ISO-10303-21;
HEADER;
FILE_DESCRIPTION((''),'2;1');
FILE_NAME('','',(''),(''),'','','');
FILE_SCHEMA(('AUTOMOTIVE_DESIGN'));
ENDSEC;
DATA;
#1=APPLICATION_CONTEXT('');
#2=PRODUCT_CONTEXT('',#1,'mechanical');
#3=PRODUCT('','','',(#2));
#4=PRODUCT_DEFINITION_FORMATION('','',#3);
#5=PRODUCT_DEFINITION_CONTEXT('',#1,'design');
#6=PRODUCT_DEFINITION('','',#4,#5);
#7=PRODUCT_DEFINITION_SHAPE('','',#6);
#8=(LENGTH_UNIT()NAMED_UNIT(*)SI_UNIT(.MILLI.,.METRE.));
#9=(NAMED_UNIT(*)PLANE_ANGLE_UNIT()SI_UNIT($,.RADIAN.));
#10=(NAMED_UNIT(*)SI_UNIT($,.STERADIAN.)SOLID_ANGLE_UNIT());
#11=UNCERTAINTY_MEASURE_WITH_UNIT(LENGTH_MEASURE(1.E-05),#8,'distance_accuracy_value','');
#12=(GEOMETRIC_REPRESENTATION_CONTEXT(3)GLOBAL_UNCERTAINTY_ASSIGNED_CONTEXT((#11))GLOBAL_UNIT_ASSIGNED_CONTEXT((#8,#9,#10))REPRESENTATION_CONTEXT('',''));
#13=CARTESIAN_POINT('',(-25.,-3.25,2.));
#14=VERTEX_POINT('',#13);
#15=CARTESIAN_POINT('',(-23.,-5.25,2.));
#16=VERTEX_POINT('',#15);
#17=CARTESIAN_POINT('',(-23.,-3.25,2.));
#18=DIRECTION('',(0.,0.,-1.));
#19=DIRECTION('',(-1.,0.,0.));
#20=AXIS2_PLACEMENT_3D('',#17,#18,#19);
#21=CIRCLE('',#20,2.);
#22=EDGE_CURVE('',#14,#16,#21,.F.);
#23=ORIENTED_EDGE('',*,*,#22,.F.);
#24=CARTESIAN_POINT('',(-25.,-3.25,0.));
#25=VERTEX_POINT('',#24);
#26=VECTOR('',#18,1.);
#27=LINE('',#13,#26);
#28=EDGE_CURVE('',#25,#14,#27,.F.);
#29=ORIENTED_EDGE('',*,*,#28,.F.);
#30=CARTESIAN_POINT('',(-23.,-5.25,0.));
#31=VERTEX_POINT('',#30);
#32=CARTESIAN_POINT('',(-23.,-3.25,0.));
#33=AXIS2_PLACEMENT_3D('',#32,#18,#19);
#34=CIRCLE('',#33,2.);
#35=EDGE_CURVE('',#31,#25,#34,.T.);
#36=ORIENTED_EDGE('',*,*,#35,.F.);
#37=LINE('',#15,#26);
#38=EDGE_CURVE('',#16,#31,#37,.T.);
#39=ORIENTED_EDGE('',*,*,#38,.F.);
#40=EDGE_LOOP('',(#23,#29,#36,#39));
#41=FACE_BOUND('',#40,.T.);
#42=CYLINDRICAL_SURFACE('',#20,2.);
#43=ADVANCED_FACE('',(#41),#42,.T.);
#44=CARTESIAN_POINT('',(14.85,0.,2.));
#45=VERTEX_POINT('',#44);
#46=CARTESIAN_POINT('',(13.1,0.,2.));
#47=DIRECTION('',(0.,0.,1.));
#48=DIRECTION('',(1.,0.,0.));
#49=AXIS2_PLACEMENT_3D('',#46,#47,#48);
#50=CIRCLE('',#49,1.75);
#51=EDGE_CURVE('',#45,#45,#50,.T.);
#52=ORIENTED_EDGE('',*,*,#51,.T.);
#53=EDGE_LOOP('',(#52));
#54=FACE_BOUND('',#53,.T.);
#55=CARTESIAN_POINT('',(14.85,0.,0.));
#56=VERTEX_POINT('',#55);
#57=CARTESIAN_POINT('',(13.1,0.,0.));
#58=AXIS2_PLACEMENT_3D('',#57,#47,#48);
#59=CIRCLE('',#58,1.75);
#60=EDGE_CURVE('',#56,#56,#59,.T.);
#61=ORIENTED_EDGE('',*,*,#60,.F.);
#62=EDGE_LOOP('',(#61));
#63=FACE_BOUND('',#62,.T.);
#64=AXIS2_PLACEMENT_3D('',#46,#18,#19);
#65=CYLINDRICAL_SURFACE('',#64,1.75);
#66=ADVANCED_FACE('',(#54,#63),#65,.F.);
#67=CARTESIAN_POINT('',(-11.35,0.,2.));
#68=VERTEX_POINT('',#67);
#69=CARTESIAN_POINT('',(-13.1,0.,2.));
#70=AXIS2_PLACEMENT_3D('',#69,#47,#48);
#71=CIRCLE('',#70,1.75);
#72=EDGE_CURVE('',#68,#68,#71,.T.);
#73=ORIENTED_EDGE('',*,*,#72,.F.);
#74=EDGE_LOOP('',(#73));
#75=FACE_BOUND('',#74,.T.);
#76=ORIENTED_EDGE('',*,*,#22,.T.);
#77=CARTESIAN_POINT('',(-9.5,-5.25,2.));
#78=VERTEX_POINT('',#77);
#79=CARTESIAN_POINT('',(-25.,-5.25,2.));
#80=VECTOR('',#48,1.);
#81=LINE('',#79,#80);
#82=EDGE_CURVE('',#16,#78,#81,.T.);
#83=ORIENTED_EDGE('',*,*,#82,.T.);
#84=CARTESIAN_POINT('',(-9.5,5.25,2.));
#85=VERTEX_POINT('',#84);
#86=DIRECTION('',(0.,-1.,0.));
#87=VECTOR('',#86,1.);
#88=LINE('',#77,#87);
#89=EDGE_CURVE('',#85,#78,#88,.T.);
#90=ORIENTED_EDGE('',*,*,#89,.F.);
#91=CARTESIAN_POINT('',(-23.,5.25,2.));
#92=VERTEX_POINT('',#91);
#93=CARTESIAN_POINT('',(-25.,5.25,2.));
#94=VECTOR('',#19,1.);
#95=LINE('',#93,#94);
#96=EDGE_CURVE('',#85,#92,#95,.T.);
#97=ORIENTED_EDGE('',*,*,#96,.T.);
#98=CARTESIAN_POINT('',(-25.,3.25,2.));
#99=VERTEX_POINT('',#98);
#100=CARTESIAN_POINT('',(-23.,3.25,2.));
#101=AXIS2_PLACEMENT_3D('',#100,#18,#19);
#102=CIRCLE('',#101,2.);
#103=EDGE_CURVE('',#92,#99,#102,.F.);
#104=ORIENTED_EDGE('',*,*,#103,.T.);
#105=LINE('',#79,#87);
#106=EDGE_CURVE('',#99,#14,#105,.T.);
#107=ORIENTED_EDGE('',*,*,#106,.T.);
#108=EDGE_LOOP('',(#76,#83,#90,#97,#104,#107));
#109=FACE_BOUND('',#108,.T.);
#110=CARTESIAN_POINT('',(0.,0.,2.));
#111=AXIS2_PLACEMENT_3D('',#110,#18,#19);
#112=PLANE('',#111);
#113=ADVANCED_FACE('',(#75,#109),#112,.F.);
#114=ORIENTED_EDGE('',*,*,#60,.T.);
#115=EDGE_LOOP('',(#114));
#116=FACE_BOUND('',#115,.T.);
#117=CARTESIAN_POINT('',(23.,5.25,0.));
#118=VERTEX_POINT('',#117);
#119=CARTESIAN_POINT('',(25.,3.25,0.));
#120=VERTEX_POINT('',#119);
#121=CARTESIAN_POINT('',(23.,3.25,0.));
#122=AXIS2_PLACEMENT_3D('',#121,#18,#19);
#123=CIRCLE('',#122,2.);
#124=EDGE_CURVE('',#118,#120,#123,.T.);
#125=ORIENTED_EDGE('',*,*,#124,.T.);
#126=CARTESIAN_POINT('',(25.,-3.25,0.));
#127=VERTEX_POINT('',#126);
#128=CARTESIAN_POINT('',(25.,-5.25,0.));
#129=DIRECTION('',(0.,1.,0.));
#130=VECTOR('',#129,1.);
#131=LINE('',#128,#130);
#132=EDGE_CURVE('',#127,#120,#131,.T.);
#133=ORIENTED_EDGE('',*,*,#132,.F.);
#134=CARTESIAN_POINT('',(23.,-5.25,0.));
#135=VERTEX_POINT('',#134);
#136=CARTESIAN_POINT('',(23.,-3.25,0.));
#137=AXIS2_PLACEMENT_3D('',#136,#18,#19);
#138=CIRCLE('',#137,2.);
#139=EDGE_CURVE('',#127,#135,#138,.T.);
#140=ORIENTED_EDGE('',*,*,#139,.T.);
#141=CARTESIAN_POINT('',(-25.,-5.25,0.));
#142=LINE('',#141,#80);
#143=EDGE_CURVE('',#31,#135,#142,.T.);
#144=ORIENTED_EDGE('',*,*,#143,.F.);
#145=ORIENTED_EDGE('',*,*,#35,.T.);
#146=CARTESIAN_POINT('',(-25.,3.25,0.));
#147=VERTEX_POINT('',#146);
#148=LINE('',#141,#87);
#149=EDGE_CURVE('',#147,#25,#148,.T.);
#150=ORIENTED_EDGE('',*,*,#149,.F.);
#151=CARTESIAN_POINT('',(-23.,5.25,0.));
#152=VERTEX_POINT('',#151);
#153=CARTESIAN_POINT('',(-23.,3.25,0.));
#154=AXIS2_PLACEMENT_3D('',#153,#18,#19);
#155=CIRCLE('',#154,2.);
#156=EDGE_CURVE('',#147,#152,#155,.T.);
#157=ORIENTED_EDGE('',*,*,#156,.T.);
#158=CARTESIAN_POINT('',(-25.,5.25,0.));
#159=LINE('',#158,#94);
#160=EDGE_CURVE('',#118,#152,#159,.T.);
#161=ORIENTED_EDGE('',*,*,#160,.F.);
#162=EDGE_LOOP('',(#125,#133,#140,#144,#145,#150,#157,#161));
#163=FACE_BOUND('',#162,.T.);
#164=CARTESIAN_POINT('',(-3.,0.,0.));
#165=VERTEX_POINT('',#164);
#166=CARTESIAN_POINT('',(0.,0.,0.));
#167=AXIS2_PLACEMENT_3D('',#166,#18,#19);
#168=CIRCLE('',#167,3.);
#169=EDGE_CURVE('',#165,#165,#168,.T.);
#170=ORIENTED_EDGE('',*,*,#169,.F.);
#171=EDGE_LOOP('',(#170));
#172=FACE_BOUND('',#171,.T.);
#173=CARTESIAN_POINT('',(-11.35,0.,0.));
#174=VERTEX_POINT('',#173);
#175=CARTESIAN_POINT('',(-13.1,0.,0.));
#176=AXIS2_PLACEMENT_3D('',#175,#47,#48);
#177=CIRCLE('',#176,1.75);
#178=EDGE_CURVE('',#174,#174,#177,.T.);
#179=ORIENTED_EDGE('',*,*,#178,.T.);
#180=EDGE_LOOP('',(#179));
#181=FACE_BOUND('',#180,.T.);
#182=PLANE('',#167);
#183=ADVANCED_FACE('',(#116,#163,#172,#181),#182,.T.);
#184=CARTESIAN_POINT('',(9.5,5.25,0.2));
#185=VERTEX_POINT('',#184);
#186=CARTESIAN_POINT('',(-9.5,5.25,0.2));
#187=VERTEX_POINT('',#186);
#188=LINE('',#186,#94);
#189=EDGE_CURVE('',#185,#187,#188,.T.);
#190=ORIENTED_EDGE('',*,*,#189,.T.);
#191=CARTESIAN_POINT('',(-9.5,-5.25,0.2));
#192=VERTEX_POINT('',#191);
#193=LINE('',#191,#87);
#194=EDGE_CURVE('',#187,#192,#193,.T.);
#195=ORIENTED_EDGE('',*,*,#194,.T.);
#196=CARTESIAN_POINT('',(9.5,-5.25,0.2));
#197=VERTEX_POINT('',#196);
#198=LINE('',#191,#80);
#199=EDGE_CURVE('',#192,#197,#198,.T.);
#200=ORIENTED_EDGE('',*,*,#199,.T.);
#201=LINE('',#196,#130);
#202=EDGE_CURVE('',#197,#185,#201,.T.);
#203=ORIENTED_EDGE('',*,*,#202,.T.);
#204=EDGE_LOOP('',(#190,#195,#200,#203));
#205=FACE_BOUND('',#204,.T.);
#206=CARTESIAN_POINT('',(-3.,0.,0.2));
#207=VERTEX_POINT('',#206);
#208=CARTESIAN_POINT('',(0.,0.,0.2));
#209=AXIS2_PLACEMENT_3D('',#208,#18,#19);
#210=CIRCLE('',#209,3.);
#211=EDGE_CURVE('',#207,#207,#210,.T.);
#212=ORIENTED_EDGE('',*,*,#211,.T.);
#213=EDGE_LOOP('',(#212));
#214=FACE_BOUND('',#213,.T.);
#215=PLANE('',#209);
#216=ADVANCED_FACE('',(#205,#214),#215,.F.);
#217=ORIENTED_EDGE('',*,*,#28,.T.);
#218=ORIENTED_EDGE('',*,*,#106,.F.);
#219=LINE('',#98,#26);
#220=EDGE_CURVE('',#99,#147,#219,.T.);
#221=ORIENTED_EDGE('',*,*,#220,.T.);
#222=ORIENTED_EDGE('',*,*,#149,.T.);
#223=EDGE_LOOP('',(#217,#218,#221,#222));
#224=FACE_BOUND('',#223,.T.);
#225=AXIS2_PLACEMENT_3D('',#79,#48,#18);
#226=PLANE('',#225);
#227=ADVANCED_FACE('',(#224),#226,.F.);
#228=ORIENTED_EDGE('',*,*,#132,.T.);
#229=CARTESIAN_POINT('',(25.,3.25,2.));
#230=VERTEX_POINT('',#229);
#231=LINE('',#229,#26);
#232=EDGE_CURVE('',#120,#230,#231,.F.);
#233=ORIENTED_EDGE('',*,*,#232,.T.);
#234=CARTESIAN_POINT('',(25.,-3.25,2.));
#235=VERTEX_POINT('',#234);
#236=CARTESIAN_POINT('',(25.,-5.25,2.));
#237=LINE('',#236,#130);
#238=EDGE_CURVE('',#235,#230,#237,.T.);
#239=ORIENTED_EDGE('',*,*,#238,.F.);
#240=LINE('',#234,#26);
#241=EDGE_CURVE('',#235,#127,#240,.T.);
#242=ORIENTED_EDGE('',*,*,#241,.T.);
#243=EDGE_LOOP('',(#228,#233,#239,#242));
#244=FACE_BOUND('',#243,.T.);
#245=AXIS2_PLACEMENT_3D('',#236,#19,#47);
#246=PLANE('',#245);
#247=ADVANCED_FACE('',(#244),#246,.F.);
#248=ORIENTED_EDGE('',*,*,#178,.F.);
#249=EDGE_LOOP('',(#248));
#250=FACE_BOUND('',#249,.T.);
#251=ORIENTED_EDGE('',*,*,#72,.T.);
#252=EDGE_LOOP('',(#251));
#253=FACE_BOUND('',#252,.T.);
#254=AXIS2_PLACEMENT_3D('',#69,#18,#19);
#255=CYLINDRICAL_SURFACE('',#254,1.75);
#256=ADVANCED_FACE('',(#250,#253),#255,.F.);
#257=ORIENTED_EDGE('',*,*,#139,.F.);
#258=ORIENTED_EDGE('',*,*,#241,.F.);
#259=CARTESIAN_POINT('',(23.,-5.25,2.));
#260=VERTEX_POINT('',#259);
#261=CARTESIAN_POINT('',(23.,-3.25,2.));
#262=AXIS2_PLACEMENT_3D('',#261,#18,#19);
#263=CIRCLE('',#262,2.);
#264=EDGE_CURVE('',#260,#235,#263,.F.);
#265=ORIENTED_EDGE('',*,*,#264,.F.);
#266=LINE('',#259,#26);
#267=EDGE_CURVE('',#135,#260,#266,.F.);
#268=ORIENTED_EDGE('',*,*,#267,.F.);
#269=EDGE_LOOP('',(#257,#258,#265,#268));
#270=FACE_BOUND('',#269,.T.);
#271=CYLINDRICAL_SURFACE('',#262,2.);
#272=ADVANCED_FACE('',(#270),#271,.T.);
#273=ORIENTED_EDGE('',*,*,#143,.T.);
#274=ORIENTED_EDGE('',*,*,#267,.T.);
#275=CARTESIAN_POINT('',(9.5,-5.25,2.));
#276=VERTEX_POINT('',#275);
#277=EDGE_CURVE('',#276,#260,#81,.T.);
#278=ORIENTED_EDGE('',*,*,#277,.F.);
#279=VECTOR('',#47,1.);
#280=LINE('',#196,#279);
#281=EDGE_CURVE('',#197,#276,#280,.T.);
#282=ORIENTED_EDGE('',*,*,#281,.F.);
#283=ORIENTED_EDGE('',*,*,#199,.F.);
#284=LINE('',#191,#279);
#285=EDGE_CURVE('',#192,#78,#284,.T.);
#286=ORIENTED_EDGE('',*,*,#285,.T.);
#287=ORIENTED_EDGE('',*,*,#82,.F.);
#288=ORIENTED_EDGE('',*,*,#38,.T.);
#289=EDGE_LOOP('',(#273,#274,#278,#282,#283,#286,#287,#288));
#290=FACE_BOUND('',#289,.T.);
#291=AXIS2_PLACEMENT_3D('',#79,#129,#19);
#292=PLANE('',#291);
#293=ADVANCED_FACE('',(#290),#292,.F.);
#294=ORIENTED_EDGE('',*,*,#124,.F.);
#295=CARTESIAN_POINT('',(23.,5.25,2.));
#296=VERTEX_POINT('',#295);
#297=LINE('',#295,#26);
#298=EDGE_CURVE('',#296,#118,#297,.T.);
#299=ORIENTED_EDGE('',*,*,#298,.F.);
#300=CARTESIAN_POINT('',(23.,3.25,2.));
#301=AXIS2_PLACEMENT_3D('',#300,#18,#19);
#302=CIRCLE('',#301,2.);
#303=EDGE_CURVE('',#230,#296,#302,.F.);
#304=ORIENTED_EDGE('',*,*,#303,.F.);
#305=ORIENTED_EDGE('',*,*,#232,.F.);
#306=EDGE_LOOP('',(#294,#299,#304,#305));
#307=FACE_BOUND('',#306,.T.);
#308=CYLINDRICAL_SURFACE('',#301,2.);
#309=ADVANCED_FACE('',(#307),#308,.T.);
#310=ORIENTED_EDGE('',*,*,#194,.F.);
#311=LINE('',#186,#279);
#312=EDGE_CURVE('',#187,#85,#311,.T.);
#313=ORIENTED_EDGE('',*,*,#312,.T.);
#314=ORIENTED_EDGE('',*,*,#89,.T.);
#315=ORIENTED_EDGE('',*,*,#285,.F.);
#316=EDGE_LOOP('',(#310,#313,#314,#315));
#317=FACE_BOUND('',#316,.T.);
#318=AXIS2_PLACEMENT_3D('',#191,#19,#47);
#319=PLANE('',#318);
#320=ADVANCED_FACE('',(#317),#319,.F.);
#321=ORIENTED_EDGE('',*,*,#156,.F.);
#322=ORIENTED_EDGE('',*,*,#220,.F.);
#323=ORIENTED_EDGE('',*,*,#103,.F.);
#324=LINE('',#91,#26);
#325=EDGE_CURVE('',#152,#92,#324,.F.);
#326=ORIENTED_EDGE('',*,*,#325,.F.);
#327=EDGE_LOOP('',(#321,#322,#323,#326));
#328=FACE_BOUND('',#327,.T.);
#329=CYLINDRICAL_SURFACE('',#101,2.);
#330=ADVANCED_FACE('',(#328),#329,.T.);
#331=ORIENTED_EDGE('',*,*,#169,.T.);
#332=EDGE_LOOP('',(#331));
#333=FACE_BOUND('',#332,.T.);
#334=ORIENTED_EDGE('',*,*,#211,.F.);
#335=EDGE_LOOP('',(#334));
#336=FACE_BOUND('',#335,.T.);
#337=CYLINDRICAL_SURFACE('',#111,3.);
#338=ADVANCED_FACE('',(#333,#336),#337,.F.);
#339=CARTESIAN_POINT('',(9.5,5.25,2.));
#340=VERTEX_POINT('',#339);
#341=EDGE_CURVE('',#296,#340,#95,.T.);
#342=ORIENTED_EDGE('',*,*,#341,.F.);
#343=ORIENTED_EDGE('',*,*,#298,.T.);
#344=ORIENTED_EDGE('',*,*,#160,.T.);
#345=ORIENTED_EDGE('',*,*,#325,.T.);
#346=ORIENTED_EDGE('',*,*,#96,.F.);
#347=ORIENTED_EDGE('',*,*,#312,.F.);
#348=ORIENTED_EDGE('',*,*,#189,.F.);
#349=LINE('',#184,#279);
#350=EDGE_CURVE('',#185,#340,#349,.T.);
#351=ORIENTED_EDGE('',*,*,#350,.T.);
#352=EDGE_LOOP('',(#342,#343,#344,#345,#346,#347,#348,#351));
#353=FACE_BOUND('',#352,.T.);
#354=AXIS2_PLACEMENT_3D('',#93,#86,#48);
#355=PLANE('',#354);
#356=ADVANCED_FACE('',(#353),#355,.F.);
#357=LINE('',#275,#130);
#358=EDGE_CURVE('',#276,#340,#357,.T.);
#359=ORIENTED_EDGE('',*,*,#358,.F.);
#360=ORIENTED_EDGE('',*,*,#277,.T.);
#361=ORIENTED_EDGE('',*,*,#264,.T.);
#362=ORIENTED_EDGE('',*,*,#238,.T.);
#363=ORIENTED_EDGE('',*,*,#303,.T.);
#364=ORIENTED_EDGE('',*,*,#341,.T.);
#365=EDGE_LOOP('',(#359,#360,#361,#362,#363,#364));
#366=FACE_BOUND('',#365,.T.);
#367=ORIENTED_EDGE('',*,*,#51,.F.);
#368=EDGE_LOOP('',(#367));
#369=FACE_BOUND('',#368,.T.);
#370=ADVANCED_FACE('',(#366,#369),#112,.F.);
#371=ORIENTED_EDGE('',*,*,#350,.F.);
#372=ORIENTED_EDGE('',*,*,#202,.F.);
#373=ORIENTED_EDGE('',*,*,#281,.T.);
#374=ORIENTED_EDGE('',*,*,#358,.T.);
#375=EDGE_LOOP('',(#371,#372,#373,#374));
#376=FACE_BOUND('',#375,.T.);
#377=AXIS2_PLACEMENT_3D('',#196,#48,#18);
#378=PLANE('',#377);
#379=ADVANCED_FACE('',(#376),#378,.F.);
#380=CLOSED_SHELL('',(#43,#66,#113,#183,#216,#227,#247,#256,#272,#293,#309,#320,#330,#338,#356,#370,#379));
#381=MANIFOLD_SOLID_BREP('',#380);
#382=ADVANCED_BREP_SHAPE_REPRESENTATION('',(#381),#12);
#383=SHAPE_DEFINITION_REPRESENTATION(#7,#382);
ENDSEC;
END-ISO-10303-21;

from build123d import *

# Parameters (mm, degrees)
SKETCH_1_W          = 50
SKETCH_1_H          = 10.5
SKETCH_1_R          = 1.75
EXTRUDE_1_DEPTH     = 2
FILLET_1_R          = 2
SKETCH_2_W          = 19
SKETCH_2_H          = 10.5
CUT_EXTRUDE_1_DEPTH = 1.8
SKETCH_3_R          = 3
CUT_EXTRUDE_2_DEPTH = 3


with BuildPart() as part:
    # ｽｹｯﾁ1 → ﾎﾞｽ - 押し出し1 (new body)
    with BuildSketch(Plane.XY):
        Rectangle(SKETCH_1_W, SKETCH_1_H)
        with Locations((13.1, 0)):
            Circle(SKETCH_1_R, mode=Mode.SUBTRACT)
        with Locations((-13.1, 0)):
            Circle(SKETCH_1_R, mode=Mode.SUBTRACT)
    extrude(amount=EXTRUDE_1_DEPTH)

    # ﾌｨﾚｯﾄ1
    fillet_1_edges = [part.edges().sort_by_distance(p)[0] for p in [
        (25, -5.25, 1),
        (-25, -5.25, 1),
        (-25, 5.25, 1),
        (25, 5.25, 1),
    ]]
    fillet(fillet_1_edges, radius=FILLET_1_R)

    # ｽｹｯﾁ2 → ｶｯﾄ - 押し出し1 (cut)
    with BuildSketch(Plane.XY.offset(2)):
        Rectangle(SKETCH_2_W, SKETCH_2_H)
    extrude(amount=-CUT_EXTRUDE_1_DEPTH, mode=Mode.SUBTRACT)

    # ｽｹｯﾁ3 → ｶｯﾄ - 押し出し2 (cut, through all)
    with BuildSketch(Plane(origin=(0, 0, 0), x_dir=(-1, 0, 0), z_dir=(0, 0, -1))):
        Circle(SKETCH_3_R)
    extrude(amount=-CUT_EXTRUDE_2_DEPTH, mode=Mode.SUBTRACT)


solid = part.part
